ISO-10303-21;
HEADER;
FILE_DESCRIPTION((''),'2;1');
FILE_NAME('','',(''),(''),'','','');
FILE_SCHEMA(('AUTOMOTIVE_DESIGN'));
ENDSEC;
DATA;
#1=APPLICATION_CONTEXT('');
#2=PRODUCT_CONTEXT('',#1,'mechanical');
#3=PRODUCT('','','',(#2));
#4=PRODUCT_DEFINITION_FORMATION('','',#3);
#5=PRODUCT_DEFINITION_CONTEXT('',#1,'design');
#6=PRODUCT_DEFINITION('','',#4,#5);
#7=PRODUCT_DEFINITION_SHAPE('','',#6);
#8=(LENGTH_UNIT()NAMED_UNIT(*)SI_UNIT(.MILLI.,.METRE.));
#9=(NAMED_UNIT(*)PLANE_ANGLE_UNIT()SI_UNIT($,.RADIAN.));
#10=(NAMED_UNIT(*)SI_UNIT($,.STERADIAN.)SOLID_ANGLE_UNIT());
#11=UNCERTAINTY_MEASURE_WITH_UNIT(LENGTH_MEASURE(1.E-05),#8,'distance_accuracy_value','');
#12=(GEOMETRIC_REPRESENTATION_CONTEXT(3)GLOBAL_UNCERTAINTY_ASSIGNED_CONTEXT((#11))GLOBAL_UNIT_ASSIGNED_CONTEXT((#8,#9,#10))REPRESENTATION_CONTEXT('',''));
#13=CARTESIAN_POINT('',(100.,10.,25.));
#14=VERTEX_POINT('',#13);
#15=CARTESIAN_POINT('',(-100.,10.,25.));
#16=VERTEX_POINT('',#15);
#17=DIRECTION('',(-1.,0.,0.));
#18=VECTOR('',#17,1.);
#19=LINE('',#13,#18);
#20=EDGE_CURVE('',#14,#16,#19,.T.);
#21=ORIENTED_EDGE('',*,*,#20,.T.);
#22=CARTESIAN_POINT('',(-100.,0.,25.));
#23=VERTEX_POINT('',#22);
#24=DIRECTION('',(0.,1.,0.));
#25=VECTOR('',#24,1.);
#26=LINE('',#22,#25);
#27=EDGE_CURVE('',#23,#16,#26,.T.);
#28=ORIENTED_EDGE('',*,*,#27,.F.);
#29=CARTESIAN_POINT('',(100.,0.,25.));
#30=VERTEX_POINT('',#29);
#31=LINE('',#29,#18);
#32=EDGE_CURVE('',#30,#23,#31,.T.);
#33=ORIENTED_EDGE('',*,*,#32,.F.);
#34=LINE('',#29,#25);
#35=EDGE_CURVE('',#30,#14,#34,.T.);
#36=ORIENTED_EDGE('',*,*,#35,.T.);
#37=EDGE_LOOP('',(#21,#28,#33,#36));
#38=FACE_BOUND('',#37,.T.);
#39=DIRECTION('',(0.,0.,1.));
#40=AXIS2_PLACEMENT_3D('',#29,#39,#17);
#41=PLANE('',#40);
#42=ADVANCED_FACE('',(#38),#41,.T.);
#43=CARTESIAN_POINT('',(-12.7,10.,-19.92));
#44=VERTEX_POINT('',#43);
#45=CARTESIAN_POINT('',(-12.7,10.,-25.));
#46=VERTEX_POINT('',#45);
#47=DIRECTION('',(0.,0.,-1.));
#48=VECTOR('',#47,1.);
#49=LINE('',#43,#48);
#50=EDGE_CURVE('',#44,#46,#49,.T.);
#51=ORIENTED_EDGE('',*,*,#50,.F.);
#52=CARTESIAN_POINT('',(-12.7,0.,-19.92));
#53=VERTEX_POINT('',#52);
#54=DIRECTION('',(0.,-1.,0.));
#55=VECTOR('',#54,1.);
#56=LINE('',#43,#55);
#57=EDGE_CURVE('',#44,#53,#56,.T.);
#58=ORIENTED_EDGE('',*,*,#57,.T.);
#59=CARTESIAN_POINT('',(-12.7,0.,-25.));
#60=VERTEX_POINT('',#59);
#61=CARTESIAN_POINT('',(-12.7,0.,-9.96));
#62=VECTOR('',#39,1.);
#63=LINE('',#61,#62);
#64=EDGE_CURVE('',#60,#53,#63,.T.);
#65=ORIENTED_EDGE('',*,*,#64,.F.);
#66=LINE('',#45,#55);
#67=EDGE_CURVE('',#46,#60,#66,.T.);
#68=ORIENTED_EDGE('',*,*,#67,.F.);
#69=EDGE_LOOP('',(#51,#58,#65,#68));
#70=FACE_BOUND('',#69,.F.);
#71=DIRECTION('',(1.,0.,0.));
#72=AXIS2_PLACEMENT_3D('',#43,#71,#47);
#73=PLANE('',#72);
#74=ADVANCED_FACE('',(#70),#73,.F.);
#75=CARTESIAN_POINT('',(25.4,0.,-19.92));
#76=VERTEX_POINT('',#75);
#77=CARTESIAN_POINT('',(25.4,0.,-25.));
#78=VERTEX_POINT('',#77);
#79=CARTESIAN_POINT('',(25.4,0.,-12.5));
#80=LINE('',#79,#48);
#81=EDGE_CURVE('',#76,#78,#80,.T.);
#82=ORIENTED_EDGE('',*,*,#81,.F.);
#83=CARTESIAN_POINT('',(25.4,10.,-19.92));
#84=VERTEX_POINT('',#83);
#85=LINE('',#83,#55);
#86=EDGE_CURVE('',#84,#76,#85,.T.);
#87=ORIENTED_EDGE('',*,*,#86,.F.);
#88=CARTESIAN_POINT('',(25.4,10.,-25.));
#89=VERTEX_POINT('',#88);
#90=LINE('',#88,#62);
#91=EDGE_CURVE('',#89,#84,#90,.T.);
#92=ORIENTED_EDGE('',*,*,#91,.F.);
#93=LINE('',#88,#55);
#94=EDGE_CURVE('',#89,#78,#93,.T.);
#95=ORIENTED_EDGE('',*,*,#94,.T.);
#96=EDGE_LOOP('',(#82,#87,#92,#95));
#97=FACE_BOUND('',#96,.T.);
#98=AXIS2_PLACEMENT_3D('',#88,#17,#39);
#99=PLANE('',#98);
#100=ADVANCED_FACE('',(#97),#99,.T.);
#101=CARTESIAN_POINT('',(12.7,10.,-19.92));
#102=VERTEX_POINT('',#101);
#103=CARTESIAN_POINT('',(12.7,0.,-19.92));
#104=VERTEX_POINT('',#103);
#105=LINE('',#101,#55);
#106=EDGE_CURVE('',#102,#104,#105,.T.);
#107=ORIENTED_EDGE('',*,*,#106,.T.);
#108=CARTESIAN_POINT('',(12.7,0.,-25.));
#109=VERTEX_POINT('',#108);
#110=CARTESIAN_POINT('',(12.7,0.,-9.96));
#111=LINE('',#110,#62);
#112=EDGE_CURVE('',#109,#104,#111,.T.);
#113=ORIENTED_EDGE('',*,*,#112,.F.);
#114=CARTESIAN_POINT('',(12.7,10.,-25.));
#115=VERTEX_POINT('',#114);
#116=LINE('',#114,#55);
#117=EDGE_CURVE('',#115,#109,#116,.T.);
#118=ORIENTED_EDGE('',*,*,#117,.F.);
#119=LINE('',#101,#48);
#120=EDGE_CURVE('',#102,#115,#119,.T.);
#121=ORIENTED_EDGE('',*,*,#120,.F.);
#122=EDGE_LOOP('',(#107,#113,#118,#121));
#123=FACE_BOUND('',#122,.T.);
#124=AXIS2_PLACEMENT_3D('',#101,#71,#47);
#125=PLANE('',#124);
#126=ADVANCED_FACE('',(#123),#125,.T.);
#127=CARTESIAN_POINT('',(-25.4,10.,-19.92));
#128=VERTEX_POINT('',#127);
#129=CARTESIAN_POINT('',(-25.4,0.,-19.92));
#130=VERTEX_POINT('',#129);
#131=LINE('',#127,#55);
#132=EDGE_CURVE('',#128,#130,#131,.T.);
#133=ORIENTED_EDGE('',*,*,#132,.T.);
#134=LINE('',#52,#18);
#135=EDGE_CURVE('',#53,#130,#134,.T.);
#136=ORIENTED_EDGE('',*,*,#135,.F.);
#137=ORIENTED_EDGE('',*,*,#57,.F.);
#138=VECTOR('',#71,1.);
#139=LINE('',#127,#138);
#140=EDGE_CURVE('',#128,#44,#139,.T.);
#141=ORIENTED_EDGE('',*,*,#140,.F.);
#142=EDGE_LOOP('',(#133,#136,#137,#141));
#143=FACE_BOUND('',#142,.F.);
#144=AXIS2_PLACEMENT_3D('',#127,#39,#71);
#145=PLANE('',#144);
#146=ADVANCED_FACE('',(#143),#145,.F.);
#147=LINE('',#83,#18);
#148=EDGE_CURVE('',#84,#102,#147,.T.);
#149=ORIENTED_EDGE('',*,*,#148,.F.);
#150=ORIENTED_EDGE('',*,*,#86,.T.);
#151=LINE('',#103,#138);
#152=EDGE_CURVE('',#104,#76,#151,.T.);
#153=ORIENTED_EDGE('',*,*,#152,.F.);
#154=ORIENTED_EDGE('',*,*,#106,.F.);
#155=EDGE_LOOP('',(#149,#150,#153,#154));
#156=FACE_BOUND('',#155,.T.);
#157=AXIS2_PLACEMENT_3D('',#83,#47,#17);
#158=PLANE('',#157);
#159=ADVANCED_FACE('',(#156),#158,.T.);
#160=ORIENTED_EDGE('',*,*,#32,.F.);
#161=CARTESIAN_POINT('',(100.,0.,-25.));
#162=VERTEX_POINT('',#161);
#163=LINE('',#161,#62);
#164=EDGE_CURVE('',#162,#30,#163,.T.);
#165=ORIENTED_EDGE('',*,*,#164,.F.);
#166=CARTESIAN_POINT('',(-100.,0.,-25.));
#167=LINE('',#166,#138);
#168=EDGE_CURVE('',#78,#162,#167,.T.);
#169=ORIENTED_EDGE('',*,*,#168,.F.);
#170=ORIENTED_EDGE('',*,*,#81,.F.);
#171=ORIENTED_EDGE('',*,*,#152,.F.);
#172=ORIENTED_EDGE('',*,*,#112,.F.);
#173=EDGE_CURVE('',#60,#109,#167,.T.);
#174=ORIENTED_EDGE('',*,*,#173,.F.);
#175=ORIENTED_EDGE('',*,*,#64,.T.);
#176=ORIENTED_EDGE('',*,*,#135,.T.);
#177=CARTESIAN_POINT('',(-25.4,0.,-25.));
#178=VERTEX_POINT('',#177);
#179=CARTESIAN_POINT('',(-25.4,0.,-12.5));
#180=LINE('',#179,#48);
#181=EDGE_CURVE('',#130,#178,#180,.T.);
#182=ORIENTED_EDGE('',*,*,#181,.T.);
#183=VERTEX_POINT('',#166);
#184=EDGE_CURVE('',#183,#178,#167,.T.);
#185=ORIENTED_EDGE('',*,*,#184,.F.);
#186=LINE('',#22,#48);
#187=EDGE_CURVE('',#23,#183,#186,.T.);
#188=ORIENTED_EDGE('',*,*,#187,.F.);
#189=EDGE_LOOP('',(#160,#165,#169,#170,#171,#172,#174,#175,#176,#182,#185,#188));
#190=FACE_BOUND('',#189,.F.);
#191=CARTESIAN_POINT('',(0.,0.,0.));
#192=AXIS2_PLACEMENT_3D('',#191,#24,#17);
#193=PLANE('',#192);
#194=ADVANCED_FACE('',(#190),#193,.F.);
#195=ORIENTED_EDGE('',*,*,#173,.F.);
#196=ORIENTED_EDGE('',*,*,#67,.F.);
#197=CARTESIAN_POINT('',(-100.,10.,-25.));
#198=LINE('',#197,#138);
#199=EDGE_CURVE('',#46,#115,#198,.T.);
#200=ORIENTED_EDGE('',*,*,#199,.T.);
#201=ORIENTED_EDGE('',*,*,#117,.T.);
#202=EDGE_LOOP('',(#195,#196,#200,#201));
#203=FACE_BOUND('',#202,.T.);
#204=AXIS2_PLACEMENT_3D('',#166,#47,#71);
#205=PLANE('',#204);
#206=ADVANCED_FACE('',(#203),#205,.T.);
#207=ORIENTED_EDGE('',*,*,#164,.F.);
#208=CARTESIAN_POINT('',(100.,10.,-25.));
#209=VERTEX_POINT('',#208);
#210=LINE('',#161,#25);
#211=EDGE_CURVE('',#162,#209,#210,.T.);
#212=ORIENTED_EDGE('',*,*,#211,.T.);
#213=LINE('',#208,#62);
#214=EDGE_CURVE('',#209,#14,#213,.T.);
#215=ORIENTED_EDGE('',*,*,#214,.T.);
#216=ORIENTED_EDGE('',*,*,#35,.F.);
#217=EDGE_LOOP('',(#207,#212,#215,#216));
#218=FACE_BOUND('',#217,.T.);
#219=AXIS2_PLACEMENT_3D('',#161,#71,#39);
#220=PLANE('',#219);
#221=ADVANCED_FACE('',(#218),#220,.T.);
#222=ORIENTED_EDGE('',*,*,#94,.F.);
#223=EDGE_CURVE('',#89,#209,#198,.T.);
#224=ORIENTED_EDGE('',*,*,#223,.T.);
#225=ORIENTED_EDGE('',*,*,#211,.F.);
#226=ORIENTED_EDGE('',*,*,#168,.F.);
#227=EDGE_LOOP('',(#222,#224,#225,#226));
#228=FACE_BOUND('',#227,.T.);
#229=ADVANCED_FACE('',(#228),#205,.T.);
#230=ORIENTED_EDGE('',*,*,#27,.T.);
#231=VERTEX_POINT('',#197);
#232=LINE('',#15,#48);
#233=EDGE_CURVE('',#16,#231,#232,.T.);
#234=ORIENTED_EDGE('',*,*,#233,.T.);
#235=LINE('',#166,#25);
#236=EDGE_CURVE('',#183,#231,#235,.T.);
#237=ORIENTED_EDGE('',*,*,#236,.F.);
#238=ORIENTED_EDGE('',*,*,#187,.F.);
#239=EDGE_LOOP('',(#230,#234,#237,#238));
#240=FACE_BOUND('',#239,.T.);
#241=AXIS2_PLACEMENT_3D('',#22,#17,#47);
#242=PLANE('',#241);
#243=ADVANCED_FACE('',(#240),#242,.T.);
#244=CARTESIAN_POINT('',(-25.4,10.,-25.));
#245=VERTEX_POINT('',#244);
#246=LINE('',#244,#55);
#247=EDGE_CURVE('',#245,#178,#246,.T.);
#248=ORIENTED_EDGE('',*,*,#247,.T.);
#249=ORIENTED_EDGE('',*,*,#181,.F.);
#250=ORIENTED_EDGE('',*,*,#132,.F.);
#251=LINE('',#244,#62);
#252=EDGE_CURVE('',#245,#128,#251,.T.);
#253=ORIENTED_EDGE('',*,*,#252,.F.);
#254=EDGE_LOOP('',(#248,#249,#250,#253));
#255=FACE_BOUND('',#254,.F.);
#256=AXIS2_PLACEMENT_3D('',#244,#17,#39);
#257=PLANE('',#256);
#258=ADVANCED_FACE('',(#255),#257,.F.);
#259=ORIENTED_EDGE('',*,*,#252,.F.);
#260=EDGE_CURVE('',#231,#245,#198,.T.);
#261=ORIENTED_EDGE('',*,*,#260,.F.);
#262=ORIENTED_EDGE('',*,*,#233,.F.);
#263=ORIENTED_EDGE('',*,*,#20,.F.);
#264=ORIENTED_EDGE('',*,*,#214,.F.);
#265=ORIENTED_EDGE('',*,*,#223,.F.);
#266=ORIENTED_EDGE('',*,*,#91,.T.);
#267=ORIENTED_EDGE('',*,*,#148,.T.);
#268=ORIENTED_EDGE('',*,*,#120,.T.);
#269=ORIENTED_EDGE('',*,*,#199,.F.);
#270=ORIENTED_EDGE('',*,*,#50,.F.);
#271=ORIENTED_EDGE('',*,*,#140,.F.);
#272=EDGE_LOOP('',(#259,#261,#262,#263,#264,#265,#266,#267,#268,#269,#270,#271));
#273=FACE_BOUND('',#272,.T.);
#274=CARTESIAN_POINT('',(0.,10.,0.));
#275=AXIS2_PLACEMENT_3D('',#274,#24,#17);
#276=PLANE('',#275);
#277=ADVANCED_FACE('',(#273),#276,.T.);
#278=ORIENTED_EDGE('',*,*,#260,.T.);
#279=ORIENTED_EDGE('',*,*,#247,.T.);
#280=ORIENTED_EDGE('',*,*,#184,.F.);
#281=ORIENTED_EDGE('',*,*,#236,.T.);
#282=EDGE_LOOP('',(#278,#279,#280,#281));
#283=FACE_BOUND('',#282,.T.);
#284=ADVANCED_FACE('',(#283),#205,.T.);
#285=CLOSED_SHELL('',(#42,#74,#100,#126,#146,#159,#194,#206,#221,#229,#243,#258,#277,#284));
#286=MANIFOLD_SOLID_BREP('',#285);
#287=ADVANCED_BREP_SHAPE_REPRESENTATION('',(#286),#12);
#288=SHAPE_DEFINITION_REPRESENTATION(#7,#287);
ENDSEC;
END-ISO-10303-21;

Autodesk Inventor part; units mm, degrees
ref_plane "YZ Plane" through (0, 0, 0) normal (1, 0, 0) x (0, 1, 0)
ref_plane "XZ Plane" through (0, 0, 0) normal (0, 1, 0) x (-1, 0, 0)
ref_plane "XY Plane" through (0, 0, 0) normal (0, 0, 1) x (1, 0, 0)
sketch "Sketch1" plane through (0, 0, 0) normal (0, 1, 0) x (-1, 0, 0)
  line L0 (100, -25) -> (-100, -25)
  line L1 (-100, -25) -> (-100, 25)
  line L2 (-100, 25) -> (100, 25)
  line L3 (100, 25) -> (100, -25)
  line L4 (100, -25) -> (-100, 25) construction
  line L5 (-100, -25) -> (100, 25) construction
  point P0 (0, 0)
  dimension "d0" = 200
  dimension "d1" = 50
extrude "Extrusion1" add sketch "Sketch1" along normal blind 10
sketch "Sketch2" plane through (0, 10, 0) normal (0, 1, 0) x (1, 0, 0)
  line L0 (100, 25) -> (-100, 25) projected
  line L1 (0, 0) -> (0, 25)
  line L2 (-12.7, 25) -> (-25.4, 25)
  line L3 (-25.4, 25) -> (-25.4, 19.92)
  line L4 (-25.4, 19.92) -> (-12.7, 19.92)
  line L5 (-12.7, 19.92) -> (-12.7, 25)
  line L6 (12.7, 25) -> (25.4, 25)
  line L7 (25.4, 25) -> (25.4, 19.92)
  line L8 (25.4, 19.92) -> (12.7, 19.92)
  line L9 (12.7, 19.92) -> (12.7, 25)
  dimension "d5" = 5.08
  dimension "d6" = 25.4
  dimension "d9" = 5.08
  dimension "d12" = 50.8
extrude "Extrusion2" cut sketch "Sketch2" against normal up to next
equation "\"d5\" = m2_thickness"
equation "\"d6\" = castle_width"
equation "\"d9\" = m2_thickness"
equation "\"d12\" = castle_pitch"
equation "\"m2_thickness\" = 5.08"
equation "\"castle_width\" = 25.4"
equation "\"castle_pitch\" = 50.8"
properties part number "castlegen"
